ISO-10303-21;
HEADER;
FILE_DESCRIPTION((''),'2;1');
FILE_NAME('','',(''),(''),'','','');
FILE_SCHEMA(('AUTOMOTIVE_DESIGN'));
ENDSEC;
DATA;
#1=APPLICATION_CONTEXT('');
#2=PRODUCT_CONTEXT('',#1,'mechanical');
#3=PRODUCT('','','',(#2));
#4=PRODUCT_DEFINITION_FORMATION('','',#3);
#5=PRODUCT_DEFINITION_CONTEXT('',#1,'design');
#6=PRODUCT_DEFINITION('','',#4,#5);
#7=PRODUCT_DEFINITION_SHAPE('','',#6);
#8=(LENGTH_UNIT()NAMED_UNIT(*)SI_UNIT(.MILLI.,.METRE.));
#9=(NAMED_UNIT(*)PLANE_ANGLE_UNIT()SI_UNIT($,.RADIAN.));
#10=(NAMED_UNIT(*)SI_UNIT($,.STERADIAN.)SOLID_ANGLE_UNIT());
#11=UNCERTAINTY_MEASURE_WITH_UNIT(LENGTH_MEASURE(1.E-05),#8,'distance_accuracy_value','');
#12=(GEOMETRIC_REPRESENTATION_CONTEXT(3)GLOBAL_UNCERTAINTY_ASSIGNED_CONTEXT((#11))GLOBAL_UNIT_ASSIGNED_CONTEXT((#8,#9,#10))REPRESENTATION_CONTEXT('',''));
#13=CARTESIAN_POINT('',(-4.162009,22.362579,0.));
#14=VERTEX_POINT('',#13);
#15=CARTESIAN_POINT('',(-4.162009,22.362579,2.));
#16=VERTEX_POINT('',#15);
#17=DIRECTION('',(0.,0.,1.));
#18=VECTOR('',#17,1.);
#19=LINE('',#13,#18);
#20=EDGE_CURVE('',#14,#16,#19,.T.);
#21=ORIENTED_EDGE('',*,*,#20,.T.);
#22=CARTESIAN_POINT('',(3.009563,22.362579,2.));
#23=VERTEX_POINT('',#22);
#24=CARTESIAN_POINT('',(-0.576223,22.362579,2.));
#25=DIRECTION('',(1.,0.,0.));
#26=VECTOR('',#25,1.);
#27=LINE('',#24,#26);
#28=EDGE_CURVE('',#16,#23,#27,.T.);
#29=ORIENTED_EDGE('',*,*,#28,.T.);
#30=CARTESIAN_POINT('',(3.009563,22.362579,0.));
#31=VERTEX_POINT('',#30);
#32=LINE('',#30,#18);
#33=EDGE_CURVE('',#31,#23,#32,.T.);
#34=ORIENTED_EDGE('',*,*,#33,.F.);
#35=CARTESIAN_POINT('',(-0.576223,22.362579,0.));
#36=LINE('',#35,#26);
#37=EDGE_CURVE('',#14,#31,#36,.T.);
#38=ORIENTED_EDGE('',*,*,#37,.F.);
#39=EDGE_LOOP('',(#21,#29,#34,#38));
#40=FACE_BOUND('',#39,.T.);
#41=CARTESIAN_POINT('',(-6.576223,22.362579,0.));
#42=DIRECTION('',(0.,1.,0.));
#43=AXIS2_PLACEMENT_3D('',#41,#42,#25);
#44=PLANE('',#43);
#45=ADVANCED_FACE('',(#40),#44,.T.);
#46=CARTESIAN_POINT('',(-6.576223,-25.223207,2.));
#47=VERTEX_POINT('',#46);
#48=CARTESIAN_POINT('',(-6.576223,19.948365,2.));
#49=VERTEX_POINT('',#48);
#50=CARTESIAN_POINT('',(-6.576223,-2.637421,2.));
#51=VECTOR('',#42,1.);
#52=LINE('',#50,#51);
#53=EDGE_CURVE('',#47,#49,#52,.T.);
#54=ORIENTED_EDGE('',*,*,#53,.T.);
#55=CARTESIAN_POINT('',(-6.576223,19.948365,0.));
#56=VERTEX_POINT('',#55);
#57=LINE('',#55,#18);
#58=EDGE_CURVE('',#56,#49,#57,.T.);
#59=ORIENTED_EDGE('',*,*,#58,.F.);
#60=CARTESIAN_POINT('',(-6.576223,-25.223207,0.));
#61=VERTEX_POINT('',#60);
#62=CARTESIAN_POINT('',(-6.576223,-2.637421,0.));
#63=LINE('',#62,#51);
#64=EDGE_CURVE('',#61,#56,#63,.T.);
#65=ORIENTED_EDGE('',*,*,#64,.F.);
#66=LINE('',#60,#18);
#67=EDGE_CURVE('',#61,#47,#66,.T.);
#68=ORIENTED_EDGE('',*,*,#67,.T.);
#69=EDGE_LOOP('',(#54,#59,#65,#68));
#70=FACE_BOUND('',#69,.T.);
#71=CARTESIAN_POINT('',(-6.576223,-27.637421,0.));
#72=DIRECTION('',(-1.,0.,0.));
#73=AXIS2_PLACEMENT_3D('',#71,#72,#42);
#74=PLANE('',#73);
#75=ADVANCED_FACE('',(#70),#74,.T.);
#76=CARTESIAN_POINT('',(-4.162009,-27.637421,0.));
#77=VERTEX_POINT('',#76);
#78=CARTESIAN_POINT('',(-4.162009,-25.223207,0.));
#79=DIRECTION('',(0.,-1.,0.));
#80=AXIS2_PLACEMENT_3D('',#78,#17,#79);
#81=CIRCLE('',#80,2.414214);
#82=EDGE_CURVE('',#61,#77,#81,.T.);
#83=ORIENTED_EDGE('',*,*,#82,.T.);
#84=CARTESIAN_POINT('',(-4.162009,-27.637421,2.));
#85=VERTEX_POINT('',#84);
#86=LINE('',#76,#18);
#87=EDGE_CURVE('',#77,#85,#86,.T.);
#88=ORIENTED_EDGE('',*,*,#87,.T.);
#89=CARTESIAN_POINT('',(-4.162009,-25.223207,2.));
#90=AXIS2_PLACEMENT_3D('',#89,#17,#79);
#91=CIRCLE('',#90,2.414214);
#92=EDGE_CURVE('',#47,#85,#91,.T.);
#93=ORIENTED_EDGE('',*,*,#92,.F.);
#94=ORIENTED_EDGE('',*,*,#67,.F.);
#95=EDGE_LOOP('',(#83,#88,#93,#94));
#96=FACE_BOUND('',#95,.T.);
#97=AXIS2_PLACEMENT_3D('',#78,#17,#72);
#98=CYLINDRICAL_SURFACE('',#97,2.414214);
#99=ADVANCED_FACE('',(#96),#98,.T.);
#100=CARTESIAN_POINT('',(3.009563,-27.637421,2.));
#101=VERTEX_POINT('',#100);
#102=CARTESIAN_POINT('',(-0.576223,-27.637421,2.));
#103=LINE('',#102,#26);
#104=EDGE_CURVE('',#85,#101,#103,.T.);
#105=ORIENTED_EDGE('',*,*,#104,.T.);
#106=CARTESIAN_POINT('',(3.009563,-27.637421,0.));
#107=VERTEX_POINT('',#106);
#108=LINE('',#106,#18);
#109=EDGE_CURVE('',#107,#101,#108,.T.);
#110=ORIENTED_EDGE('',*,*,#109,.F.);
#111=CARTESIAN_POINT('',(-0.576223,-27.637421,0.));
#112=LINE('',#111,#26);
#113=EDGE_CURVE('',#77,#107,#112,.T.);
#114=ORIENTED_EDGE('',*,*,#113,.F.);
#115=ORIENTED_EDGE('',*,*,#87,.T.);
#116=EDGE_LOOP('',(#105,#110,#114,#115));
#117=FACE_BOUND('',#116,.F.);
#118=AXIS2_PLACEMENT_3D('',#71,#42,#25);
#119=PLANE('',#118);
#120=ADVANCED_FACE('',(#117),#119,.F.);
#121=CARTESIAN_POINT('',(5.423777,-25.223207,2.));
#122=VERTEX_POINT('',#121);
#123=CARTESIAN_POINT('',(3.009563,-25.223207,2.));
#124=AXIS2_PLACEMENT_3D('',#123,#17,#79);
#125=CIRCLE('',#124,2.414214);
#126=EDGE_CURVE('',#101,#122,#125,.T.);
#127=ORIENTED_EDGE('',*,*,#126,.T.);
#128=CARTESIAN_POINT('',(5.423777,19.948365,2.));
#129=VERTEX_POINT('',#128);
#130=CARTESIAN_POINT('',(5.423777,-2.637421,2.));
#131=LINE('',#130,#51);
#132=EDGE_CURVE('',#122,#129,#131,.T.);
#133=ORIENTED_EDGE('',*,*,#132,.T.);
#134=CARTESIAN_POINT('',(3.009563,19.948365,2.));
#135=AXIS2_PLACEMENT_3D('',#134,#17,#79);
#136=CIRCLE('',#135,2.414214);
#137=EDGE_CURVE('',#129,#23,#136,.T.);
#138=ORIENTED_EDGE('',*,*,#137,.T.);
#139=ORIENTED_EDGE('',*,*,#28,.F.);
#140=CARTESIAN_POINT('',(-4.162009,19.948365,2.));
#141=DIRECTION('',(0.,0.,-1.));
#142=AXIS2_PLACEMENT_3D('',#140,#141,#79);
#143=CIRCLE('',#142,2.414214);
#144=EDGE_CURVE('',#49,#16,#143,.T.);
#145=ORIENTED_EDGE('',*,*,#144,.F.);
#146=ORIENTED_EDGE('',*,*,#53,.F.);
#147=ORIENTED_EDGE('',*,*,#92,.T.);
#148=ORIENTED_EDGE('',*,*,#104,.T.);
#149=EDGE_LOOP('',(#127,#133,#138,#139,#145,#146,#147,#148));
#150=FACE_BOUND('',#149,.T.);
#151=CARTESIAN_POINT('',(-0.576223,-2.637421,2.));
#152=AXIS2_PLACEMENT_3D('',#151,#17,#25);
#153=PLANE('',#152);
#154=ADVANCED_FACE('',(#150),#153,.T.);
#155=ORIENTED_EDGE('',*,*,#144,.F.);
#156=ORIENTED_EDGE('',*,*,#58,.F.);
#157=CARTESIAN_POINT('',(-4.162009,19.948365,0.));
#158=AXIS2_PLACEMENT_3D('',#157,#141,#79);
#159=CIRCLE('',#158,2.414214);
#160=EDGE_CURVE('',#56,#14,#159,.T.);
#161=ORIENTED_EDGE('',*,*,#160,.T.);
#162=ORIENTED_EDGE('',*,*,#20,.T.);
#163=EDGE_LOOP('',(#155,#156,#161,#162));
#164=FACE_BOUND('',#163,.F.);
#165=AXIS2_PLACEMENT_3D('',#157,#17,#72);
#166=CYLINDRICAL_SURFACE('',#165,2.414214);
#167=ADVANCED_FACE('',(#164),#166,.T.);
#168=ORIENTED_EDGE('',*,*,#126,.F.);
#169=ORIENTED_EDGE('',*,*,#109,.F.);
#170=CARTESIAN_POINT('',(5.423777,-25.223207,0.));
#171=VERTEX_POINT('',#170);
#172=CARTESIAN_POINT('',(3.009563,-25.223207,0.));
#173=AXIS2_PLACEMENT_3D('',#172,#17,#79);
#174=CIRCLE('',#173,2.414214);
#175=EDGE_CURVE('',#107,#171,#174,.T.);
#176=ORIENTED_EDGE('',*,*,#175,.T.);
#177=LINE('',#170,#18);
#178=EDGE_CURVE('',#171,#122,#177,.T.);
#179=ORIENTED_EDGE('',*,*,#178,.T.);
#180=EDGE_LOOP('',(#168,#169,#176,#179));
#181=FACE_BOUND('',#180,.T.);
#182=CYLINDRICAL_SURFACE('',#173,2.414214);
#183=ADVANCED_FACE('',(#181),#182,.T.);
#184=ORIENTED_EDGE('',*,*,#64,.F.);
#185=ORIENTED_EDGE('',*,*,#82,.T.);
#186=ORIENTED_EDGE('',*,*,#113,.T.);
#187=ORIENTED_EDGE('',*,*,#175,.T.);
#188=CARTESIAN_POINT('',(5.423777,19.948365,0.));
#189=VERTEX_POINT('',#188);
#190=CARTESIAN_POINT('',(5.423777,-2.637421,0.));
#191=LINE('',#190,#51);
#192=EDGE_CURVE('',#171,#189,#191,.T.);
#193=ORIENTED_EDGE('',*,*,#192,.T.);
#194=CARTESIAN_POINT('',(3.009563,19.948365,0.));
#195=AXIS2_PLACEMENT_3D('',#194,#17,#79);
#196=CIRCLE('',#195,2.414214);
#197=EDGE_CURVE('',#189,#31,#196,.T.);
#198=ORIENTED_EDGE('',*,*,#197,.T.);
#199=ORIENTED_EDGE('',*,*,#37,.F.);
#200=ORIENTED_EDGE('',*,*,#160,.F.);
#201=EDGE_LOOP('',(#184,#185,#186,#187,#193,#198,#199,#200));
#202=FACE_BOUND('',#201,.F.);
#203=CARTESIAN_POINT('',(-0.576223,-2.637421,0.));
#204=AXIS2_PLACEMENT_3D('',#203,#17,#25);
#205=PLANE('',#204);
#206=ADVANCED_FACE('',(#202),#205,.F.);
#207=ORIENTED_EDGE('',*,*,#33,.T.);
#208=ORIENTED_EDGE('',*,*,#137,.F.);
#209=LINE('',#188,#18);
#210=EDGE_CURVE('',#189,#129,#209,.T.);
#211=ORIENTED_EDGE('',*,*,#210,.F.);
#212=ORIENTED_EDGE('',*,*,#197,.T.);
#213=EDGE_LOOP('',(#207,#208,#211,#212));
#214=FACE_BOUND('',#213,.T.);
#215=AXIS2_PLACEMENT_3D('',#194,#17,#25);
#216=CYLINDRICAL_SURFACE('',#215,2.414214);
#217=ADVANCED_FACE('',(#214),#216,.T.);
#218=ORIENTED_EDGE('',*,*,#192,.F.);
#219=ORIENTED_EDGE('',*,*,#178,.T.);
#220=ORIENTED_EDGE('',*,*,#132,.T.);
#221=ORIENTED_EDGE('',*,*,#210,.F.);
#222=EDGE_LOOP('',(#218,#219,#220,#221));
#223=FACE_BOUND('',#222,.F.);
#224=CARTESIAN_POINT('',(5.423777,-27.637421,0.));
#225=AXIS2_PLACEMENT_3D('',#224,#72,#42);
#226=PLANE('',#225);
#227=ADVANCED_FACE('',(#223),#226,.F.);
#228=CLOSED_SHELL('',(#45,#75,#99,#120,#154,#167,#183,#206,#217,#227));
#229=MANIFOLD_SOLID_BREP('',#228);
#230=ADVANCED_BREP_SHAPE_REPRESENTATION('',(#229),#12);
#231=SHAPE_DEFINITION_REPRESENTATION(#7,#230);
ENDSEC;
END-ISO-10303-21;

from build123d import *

# Parameters (mm, degrees)
F0_W     = 12
F0_H     = 50
F1_DEPTH = 2
F2_R     = 2.414214


with BuildPart() as f1:
    # F0 (on Top) → F1 (new body)
    with BuildSketch(Plane.XY):
        with Locations((-0.576223, -2.637421)):
            Rectangle(F0_W, F0_H)
    extrude(amount=F1_DEPTH)

    # F2
    f2_edges = [f1.edges().sort_by_distance(p)[0] for p in [
        (-6.576223, -27.637421, 1),
        (5.423777, -27.637421, 1),
        (5.423777, 22.362579, 1),
        (-6.576223, 22.362579, 1),
    ]]
    fillet(f2_edges, radius=F2_R)


solid = f1.part
